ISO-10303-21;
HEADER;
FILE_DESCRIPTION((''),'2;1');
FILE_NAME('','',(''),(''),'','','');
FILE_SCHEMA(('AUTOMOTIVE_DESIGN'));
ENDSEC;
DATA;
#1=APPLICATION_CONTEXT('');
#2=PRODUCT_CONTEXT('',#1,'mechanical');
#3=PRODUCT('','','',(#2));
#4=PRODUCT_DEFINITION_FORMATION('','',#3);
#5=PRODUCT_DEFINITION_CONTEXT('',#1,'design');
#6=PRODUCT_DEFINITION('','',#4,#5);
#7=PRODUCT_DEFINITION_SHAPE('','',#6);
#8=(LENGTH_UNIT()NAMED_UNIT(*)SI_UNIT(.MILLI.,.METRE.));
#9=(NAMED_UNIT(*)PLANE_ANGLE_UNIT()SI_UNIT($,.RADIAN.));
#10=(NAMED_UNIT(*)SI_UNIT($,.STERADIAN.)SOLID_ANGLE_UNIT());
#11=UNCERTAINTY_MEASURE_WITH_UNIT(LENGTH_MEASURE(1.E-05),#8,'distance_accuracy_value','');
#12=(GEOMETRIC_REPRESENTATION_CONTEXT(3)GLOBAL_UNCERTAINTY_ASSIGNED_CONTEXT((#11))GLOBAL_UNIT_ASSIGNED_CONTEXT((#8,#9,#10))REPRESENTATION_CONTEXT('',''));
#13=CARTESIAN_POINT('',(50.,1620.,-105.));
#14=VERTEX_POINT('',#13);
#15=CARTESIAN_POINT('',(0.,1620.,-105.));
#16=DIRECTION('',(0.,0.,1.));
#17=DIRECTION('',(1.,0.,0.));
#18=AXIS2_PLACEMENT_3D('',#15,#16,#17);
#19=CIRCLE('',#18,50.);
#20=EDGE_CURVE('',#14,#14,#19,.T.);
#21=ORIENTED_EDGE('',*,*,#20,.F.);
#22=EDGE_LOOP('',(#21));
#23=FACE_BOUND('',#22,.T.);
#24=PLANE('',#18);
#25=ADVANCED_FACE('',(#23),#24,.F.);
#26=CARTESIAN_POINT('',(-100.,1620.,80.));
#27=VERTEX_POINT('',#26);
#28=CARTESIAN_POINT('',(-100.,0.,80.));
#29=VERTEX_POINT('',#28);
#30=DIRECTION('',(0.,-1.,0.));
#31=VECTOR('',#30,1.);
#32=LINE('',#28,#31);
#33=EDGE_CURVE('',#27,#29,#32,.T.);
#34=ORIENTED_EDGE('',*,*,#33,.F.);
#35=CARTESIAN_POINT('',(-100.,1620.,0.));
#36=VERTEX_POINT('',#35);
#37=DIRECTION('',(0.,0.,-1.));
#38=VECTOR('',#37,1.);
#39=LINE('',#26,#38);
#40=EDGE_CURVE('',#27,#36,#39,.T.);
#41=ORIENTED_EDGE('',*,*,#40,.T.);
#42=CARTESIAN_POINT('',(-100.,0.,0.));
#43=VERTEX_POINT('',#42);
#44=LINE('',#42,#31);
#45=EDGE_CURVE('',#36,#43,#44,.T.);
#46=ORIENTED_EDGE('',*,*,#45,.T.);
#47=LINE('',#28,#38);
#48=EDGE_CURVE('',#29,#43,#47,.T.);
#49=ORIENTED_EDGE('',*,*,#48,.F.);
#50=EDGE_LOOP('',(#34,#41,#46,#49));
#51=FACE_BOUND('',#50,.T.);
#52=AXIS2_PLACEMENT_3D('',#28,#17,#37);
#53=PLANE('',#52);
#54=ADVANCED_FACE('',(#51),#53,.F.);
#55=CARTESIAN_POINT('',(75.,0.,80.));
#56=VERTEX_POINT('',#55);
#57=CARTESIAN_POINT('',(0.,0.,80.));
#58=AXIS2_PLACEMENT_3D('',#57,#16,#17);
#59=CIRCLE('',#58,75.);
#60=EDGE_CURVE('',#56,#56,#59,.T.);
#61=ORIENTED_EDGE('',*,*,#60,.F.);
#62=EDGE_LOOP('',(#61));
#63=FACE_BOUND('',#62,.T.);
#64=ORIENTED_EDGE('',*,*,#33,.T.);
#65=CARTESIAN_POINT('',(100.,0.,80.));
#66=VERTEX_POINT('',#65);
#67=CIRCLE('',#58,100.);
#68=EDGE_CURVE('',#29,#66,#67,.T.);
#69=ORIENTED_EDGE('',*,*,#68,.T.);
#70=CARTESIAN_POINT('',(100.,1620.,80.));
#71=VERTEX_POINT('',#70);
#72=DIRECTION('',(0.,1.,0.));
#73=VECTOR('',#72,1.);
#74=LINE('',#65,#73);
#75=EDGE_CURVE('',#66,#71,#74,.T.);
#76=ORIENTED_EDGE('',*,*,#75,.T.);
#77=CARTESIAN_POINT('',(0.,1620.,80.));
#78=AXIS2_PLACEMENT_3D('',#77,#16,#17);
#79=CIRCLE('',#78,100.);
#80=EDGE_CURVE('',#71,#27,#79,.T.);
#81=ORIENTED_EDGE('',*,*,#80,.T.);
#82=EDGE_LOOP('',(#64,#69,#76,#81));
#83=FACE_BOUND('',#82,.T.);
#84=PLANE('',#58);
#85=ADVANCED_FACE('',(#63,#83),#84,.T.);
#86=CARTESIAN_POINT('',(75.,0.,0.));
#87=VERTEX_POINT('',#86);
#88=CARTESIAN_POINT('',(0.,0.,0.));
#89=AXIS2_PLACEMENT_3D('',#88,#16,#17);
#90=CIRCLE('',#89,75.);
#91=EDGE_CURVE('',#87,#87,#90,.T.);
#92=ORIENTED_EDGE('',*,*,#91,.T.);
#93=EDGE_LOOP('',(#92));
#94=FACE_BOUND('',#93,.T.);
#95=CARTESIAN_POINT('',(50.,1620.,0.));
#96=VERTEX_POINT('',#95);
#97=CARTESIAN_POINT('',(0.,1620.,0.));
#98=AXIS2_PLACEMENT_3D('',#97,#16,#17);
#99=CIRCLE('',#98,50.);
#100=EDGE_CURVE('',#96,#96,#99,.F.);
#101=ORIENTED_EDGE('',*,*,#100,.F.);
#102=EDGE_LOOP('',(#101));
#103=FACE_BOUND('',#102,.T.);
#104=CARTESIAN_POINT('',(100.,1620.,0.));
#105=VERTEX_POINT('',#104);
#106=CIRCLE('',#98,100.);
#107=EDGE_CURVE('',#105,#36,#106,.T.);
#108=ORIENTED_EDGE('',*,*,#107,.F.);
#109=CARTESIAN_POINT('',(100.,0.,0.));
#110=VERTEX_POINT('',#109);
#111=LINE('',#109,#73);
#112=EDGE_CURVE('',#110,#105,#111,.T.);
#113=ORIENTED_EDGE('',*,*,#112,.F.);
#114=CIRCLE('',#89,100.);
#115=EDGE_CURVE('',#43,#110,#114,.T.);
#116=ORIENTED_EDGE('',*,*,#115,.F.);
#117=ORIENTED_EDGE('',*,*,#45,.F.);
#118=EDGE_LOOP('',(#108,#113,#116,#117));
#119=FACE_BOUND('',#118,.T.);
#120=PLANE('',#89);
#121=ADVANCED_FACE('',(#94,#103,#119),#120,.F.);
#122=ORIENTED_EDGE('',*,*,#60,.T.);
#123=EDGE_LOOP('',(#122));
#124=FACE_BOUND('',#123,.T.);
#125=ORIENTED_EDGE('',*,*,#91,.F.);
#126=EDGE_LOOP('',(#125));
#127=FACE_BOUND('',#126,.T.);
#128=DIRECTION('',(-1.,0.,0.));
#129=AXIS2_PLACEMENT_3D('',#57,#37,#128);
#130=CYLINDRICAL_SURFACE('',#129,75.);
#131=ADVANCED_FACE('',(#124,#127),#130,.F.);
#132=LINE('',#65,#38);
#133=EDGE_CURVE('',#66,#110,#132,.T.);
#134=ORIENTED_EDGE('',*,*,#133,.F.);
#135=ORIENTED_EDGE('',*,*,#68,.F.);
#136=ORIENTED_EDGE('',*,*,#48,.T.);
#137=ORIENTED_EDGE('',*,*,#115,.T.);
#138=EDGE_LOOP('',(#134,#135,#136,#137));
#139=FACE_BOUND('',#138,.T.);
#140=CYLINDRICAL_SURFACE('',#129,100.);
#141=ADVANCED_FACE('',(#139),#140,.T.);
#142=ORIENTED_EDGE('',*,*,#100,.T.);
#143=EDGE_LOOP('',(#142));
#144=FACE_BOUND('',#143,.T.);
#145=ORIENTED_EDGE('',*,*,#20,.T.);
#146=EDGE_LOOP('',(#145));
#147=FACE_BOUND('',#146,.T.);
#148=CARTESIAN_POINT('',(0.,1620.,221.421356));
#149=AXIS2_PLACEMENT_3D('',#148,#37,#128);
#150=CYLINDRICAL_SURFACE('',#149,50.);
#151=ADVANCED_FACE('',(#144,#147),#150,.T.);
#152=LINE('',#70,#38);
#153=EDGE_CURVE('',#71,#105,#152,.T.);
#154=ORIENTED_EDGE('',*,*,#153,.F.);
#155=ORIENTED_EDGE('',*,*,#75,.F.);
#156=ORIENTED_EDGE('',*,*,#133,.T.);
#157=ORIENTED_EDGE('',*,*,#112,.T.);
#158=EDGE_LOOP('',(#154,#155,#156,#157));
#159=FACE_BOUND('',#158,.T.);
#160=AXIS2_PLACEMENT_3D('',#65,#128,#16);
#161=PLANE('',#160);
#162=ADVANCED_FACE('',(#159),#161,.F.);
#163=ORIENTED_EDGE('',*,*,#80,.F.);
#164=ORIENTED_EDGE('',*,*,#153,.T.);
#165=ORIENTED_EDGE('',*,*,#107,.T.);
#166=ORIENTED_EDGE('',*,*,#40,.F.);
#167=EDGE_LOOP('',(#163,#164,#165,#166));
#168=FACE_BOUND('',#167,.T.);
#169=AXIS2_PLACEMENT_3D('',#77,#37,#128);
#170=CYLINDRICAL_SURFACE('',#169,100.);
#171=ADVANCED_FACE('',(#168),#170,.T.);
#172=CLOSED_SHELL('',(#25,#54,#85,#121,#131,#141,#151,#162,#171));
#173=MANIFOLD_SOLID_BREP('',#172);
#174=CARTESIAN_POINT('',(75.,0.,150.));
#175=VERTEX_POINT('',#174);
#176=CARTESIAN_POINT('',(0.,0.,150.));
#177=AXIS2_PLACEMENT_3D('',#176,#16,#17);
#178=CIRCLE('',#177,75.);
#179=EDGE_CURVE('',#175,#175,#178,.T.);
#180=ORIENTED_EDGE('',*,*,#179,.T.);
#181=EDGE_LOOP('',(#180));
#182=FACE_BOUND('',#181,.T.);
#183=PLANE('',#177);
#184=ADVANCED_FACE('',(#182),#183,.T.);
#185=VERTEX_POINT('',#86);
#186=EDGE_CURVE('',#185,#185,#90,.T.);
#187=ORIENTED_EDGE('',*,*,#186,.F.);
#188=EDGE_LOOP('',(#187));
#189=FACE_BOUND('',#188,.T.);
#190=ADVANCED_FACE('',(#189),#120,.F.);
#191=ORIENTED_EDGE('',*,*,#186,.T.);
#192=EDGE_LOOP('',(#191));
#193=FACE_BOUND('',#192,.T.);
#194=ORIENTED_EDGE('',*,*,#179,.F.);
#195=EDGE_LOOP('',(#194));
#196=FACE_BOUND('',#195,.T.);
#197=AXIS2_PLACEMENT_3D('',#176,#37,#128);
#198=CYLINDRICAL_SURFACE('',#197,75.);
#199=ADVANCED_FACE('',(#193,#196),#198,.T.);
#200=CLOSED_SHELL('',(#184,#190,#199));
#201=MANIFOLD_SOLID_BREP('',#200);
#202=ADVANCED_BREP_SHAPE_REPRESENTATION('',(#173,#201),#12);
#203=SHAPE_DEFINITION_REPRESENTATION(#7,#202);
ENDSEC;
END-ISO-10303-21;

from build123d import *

# Parameters (mm, degrees)
SKETCH1_R           = 50
SKETCH1_R_2         = 75
BOSS_EXTRUDE1_DEPTH = 80
SKETCH1_2_R         = 75
BOSS_EXTRUDE2_DEPTH = 150
BOSS_EXTRUDE3_START = -105
SKETCH1_4_R         = 50
BOSS_EXTRUDE3_DEPTH = 185


with BuildPart() as part:
    # Sketch1 → Boss-Extrude1 (new body)
    with BuildSketch(Plane.XY):
        with BuildLine():
            Line((-100, 0), (-100, 1620))
            ThreePointArc((-100, 1620), (0, 1720), (100, 1620))
            Line((100, 1620), (100, 0))
            ThreePointArc((100, 0), (0, -100), (-100, 0))
        make_face()
        with Locations((0, 1620)):
            Circle(SKETCH1_R, mode=Mode.SUBTRACT)
        Circle(SKETCH1_R_2, mode=Mode.SUBTRACT)
    extrude(amount=BOSS_EXTRUDE1_DEPTH)

    # Sketch1<4> → Boss-Extrude3 (add)
    with BuildSketch(Plane.XY.offset(BOSS_EXTRUDE3_START)):
        with Locations((0, 1620)):
            Circle(SKETCH1_4_R)
    extrude(amount=BOSS_EXTRUDE3_DEPTH)


with BuildPart() as body_2:
    # Sketch1<2> → Boss-Extrude2 (new body)
    with BuildSketch(Plane.XY):
        Circle(SKETCH1_2_R)
    extrude(amount=BOSS_EXTRUDE2_DEPTH)


solid = Compound([part.part, body_2.part])
